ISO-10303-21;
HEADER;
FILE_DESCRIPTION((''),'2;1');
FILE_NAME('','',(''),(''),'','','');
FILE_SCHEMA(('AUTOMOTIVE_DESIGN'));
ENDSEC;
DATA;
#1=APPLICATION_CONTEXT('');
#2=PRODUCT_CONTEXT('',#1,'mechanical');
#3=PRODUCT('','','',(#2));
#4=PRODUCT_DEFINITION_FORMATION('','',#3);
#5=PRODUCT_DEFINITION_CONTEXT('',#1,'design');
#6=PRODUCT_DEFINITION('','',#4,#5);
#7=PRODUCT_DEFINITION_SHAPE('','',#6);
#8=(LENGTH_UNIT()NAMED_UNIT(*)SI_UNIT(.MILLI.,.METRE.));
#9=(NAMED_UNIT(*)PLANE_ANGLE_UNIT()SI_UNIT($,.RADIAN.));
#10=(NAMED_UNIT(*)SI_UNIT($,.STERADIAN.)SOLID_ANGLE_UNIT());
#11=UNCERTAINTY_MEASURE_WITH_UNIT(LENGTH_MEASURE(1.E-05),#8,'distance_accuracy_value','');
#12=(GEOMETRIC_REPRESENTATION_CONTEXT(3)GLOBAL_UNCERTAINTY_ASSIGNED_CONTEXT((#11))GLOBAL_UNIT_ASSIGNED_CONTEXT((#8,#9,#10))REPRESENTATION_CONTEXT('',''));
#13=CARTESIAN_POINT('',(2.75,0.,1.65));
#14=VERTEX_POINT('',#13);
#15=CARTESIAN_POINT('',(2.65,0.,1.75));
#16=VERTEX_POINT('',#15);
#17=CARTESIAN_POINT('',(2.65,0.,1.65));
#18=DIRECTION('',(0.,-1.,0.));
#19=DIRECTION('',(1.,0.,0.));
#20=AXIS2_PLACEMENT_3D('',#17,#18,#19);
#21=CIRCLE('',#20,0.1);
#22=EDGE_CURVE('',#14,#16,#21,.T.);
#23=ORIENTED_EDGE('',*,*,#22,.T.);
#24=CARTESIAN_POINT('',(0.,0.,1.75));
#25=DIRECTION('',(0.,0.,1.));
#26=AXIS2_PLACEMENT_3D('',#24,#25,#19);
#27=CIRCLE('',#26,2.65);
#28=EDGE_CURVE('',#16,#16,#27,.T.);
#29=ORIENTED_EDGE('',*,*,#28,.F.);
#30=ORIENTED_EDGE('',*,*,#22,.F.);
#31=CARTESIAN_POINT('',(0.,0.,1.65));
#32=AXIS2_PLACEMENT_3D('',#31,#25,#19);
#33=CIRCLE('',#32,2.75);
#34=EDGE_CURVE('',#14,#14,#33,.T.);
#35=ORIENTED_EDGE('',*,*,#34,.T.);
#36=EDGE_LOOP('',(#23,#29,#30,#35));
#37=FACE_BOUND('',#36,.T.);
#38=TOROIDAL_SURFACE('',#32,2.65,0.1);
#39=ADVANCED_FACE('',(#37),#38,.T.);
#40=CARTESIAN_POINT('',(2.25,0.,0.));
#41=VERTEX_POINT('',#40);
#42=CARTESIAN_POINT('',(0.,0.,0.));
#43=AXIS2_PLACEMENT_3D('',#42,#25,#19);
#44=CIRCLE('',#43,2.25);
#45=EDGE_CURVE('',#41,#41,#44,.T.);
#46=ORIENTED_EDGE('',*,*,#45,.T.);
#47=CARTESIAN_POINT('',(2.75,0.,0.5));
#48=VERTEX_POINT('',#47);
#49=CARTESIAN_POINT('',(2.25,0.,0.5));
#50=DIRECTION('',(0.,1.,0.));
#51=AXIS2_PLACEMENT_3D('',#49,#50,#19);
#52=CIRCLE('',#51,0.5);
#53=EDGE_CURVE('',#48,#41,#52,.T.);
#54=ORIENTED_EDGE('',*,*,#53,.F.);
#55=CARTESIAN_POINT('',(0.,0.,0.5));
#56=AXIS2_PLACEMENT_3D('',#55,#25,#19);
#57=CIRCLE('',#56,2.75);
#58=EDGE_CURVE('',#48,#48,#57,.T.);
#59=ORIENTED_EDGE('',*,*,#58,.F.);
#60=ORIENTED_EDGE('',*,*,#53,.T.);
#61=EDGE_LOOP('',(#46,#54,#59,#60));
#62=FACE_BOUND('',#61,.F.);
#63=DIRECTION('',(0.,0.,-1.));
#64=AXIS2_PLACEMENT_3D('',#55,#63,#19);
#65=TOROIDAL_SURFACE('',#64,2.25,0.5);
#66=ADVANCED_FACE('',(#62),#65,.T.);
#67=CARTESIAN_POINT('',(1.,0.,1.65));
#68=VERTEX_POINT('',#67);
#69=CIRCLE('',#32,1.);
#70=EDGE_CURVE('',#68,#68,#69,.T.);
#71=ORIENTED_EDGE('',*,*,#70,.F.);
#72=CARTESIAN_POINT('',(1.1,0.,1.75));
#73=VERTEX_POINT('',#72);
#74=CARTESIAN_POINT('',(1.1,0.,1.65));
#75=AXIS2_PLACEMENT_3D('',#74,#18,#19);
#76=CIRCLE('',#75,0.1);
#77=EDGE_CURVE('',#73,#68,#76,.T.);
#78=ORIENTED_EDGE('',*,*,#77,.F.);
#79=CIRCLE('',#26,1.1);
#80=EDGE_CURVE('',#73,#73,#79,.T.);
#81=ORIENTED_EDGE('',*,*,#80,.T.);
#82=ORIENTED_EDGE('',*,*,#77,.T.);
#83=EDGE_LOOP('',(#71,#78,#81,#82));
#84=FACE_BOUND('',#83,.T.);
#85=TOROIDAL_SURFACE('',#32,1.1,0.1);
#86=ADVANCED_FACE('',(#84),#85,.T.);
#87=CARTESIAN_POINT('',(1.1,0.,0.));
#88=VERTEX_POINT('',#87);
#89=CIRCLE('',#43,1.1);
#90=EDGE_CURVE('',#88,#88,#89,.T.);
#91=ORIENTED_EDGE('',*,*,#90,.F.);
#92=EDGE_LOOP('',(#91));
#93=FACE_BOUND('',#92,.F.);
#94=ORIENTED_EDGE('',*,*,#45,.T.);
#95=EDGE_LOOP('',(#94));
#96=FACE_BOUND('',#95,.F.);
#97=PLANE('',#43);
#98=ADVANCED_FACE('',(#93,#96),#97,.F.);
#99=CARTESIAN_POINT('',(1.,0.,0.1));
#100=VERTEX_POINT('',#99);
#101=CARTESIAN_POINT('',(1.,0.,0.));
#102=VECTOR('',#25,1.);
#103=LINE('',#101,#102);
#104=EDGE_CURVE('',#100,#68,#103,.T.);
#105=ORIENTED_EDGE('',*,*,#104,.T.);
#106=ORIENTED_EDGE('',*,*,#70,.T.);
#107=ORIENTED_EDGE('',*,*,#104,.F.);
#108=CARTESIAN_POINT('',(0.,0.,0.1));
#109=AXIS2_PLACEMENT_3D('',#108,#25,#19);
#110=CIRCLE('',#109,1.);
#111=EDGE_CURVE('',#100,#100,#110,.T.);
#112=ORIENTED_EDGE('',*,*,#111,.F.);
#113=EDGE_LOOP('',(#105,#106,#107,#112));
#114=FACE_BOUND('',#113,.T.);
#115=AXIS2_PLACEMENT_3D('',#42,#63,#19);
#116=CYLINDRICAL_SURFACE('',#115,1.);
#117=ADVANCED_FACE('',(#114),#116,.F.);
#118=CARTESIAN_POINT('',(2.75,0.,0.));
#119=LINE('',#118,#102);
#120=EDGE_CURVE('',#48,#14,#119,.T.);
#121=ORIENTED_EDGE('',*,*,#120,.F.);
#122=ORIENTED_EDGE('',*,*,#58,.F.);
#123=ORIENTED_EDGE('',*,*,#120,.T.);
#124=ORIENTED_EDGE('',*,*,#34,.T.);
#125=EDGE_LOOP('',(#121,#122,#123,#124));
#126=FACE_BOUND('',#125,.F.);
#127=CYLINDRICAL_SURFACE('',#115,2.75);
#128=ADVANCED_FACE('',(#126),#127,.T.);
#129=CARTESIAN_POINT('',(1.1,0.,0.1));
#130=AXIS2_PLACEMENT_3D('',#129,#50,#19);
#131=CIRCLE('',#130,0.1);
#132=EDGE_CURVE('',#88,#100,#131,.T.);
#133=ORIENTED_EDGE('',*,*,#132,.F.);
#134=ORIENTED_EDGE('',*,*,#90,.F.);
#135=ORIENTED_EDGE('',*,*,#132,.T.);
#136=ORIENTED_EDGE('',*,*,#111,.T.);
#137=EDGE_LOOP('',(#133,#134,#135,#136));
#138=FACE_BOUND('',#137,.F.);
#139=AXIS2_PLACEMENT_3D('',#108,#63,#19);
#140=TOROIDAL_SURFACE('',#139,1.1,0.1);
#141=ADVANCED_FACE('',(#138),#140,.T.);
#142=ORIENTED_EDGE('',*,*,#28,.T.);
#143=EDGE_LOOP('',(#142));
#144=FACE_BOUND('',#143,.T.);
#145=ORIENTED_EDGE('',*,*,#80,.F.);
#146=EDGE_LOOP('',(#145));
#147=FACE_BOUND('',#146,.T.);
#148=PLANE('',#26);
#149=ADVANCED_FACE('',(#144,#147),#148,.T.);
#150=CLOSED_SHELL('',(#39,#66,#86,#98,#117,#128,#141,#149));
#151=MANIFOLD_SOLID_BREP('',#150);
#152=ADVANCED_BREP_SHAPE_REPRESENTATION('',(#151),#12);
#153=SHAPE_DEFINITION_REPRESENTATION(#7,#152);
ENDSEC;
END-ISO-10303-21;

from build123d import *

# Parameters (mm, degrees)
SKETCH1_R           = 2.75
SKETCH1_R_2         = 1
EXTRUDE_THIN1_DEPTH = 1.75
FILLET1_R           = 0.5
FILLET2_R           = 0.1


with BuildPart() as part:
    # Sketch1 → Extrude-Thin1 (new body)
    with BuildSketch(Plane.XY):
        Circle(SKETCH1_R)
        Circle(SKETCH1_R_2, mode=Mode.SUBTRACT)
    extrude(amount=EXTRUDE_THIN1_DEPTH)

    # Fillet1
    fillet1_edges = [part.edges().sort_by_distance(p)[0] for p in [
        (-2.75, 0, 0),
    ]]
    fillet(fillet1_edges, radius=FILLET1_R)

    # Fillet2
    fillet2_edges = [part.edges().sort_by_distance(p)[0] for p in [
        (-1, 0, 0),
        (-2.75, 0, 1.75),
        (-1, 0, 1.75),
    ]]
    fillet(fillet2_edges, radius=FILLET2_R)


solid = part.part
